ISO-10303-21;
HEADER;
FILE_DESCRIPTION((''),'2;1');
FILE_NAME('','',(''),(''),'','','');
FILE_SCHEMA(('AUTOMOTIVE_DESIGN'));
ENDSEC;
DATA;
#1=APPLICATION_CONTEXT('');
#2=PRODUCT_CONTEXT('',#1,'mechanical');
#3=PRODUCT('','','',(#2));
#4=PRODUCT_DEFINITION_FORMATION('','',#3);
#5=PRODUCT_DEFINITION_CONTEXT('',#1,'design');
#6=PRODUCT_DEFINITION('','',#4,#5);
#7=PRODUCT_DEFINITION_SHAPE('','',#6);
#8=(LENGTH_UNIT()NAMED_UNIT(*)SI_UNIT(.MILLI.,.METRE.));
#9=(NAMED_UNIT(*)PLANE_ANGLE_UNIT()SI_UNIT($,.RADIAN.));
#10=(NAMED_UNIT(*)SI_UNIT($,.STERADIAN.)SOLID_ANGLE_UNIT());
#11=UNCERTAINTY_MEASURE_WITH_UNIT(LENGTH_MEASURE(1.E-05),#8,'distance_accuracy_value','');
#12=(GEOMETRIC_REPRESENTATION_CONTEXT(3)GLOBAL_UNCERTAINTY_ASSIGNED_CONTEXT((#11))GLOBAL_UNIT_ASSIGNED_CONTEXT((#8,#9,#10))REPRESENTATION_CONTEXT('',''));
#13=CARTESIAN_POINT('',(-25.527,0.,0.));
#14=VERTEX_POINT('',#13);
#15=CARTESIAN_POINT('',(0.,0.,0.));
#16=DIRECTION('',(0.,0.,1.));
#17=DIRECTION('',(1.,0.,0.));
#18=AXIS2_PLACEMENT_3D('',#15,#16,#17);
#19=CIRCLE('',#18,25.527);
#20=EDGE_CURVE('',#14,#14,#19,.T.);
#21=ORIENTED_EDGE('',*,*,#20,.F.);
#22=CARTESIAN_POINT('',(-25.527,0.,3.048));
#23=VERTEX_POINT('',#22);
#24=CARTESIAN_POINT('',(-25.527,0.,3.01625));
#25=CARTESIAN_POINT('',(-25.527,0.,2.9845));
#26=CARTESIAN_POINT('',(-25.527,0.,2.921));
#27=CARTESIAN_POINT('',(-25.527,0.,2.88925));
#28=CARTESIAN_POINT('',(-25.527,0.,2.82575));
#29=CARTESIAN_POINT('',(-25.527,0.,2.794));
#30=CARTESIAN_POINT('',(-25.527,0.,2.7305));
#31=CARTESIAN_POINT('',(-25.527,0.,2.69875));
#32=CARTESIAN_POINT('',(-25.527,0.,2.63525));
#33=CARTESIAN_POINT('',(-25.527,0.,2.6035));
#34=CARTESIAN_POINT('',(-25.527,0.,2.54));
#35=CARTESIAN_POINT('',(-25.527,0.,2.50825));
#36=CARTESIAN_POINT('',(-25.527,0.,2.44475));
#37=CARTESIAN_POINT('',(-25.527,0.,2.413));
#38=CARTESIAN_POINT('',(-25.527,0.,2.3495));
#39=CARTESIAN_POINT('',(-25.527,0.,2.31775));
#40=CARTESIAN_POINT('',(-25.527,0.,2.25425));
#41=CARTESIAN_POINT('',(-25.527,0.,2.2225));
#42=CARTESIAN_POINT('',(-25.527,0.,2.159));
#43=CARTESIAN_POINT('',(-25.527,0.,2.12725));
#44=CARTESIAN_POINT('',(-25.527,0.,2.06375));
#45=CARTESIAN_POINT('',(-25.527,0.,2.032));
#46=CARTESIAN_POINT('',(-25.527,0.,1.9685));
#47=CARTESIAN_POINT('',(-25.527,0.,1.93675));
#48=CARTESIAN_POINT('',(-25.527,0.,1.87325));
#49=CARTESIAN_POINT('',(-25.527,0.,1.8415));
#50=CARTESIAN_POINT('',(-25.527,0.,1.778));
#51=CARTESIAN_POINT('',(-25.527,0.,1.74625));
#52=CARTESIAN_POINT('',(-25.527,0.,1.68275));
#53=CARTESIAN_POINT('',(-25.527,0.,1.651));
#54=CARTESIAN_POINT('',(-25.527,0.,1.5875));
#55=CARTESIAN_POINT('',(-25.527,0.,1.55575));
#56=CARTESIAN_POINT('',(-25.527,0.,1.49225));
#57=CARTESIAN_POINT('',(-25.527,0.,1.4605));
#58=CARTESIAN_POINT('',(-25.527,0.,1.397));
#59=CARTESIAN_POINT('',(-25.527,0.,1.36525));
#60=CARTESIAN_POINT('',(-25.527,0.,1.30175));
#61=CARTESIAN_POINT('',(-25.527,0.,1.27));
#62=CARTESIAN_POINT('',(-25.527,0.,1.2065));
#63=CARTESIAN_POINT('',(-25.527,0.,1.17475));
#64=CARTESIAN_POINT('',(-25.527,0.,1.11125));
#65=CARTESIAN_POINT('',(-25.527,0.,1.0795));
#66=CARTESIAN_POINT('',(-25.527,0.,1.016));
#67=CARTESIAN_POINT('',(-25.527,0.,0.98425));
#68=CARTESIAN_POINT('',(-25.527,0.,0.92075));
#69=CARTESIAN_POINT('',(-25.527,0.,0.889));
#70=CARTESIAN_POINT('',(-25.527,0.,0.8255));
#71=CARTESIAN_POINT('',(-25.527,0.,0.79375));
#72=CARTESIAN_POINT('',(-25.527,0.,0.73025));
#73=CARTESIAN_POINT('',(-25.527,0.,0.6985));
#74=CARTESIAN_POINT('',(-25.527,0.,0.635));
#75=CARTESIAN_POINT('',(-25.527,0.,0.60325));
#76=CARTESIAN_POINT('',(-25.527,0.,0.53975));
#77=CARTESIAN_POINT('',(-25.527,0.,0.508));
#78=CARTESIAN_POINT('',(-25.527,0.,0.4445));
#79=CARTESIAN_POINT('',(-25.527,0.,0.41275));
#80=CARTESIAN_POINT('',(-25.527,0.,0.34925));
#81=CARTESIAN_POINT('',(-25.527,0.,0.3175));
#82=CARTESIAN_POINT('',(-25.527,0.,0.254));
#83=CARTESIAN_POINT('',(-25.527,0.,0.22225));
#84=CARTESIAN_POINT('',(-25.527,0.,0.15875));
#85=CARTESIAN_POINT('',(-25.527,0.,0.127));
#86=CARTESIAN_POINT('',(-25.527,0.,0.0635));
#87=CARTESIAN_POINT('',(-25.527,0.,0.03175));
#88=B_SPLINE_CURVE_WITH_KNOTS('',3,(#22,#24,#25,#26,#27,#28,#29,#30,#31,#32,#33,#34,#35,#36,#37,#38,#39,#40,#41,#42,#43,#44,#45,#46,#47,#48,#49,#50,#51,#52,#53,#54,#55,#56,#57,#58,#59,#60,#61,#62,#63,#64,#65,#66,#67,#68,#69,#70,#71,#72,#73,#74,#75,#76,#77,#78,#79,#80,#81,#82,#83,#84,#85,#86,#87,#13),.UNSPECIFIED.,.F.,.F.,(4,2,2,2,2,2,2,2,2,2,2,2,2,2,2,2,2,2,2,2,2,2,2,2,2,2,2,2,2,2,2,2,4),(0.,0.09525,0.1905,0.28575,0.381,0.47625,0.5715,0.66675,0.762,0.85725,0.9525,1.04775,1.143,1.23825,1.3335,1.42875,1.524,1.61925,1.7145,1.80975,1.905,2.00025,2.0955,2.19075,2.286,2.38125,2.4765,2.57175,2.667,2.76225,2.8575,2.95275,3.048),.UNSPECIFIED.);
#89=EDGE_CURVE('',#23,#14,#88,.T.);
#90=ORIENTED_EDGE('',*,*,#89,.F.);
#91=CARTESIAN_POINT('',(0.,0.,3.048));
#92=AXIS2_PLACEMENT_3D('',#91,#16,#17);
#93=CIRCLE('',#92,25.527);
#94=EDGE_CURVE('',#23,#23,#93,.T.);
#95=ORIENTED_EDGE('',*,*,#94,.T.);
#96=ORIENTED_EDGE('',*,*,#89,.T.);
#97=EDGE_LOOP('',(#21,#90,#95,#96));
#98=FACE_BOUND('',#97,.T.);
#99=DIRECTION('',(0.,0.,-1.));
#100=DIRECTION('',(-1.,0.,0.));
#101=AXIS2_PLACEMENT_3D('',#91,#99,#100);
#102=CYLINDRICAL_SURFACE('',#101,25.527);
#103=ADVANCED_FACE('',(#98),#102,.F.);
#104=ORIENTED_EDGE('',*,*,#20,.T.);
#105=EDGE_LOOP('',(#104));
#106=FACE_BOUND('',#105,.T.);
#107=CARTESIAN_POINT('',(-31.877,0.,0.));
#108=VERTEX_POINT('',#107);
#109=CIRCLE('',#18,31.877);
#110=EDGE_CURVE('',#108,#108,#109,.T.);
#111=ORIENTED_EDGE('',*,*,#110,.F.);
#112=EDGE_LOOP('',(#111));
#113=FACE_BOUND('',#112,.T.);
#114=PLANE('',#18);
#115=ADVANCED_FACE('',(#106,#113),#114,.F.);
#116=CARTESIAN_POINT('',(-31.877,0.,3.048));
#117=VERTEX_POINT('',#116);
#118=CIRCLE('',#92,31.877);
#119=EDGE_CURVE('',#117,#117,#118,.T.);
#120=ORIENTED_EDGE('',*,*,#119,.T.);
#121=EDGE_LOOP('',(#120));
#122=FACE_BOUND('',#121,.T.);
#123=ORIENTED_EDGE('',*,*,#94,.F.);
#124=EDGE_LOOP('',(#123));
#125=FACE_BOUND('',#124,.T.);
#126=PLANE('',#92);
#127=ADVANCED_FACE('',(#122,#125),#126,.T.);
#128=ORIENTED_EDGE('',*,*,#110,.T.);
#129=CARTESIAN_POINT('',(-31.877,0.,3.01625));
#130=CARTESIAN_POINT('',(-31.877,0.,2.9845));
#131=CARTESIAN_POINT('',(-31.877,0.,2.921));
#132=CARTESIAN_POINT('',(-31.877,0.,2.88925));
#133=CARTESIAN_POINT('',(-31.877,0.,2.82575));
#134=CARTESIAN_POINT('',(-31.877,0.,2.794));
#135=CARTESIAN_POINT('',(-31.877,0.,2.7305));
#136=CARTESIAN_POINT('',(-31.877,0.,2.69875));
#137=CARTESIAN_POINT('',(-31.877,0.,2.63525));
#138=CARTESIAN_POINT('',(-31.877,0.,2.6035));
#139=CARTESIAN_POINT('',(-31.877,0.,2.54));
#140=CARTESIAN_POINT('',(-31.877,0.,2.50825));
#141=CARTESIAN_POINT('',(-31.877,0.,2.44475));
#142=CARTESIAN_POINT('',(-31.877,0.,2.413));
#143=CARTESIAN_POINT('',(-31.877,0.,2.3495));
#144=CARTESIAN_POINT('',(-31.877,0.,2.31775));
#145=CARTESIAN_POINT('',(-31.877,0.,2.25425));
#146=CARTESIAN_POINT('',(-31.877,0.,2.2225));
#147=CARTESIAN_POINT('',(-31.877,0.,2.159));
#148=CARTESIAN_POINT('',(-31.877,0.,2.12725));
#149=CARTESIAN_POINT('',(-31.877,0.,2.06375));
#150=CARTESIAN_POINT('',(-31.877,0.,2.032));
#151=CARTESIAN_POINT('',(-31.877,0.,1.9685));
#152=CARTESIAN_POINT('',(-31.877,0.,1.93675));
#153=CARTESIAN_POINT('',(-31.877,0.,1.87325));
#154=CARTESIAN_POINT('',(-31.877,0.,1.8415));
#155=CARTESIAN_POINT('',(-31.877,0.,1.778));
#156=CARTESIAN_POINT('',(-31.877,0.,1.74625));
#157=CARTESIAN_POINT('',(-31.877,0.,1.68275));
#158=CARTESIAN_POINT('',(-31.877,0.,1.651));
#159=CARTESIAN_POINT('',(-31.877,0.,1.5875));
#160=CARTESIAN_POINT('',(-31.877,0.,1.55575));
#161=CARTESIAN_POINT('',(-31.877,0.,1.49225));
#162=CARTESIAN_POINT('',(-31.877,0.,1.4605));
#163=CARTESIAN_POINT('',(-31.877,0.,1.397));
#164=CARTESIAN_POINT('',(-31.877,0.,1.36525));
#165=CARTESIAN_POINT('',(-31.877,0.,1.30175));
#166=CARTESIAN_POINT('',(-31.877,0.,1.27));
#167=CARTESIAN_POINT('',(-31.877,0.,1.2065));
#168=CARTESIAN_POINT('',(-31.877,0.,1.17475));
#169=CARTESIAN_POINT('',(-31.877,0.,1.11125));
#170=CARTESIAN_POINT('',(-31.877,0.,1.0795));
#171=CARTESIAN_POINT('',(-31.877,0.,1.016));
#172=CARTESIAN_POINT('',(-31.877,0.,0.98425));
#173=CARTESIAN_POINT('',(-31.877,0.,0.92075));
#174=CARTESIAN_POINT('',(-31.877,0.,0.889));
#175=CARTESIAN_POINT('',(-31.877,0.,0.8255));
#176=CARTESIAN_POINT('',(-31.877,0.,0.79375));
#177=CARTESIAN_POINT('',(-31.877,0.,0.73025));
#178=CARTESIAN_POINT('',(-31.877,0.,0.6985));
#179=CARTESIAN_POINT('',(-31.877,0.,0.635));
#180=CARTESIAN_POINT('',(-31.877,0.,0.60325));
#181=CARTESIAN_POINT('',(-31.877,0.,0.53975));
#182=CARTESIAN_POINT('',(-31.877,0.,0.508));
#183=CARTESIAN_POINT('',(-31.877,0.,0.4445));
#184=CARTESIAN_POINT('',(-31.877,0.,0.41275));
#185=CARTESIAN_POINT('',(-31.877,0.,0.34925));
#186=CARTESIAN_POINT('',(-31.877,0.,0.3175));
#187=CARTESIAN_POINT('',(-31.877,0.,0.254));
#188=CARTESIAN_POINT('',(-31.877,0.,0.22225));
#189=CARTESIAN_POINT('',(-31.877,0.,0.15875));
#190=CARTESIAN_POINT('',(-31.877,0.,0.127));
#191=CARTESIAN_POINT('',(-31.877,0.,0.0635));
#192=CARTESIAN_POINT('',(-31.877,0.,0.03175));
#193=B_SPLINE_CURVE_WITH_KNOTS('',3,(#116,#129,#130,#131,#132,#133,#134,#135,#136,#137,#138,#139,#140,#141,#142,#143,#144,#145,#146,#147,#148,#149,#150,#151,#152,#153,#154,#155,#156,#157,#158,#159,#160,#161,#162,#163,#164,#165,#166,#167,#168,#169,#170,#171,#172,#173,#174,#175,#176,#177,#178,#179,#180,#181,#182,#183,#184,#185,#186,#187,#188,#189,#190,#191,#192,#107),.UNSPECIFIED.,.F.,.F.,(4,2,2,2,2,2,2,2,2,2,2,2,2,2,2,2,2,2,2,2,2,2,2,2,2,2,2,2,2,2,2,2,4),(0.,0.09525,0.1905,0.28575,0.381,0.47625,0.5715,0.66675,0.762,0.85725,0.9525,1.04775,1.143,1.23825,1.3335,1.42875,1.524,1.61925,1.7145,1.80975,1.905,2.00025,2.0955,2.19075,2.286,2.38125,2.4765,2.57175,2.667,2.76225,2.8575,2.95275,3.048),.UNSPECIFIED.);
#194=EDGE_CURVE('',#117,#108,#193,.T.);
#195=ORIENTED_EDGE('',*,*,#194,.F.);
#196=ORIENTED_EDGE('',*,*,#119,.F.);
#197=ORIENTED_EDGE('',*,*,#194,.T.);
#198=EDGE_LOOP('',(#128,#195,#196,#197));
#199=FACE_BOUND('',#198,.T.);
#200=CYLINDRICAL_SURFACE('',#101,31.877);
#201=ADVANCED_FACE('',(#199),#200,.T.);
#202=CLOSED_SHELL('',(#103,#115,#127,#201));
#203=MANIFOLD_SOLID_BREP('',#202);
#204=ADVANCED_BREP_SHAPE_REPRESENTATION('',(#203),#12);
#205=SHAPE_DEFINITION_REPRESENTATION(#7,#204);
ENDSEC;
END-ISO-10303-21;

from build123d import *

# Parameters (mm, degrees)
SKETCH1_R           = 31.877
SKETCH1_R_2         = 25.527
BOSS_EXTRUDE1_DEPTH = 3.048


with BuildPart() as part:
    # Sketch1 → Boss-Extrude1 (new body)
    with BuildSketch(Plane.XY):
        with Locations(Location((0, 0, 0), (0, 0, 180))):
            Circle(SKETCH1_R)
        with Locations(Location((0, 0, 0), (0, 0, 180))):
            Circle(SKETCH1_R_2, mode=Mode.SUBTRACT)
    extrude(amount=BOSS_EXTRUDE1_DEPTH)


solid = part.part
